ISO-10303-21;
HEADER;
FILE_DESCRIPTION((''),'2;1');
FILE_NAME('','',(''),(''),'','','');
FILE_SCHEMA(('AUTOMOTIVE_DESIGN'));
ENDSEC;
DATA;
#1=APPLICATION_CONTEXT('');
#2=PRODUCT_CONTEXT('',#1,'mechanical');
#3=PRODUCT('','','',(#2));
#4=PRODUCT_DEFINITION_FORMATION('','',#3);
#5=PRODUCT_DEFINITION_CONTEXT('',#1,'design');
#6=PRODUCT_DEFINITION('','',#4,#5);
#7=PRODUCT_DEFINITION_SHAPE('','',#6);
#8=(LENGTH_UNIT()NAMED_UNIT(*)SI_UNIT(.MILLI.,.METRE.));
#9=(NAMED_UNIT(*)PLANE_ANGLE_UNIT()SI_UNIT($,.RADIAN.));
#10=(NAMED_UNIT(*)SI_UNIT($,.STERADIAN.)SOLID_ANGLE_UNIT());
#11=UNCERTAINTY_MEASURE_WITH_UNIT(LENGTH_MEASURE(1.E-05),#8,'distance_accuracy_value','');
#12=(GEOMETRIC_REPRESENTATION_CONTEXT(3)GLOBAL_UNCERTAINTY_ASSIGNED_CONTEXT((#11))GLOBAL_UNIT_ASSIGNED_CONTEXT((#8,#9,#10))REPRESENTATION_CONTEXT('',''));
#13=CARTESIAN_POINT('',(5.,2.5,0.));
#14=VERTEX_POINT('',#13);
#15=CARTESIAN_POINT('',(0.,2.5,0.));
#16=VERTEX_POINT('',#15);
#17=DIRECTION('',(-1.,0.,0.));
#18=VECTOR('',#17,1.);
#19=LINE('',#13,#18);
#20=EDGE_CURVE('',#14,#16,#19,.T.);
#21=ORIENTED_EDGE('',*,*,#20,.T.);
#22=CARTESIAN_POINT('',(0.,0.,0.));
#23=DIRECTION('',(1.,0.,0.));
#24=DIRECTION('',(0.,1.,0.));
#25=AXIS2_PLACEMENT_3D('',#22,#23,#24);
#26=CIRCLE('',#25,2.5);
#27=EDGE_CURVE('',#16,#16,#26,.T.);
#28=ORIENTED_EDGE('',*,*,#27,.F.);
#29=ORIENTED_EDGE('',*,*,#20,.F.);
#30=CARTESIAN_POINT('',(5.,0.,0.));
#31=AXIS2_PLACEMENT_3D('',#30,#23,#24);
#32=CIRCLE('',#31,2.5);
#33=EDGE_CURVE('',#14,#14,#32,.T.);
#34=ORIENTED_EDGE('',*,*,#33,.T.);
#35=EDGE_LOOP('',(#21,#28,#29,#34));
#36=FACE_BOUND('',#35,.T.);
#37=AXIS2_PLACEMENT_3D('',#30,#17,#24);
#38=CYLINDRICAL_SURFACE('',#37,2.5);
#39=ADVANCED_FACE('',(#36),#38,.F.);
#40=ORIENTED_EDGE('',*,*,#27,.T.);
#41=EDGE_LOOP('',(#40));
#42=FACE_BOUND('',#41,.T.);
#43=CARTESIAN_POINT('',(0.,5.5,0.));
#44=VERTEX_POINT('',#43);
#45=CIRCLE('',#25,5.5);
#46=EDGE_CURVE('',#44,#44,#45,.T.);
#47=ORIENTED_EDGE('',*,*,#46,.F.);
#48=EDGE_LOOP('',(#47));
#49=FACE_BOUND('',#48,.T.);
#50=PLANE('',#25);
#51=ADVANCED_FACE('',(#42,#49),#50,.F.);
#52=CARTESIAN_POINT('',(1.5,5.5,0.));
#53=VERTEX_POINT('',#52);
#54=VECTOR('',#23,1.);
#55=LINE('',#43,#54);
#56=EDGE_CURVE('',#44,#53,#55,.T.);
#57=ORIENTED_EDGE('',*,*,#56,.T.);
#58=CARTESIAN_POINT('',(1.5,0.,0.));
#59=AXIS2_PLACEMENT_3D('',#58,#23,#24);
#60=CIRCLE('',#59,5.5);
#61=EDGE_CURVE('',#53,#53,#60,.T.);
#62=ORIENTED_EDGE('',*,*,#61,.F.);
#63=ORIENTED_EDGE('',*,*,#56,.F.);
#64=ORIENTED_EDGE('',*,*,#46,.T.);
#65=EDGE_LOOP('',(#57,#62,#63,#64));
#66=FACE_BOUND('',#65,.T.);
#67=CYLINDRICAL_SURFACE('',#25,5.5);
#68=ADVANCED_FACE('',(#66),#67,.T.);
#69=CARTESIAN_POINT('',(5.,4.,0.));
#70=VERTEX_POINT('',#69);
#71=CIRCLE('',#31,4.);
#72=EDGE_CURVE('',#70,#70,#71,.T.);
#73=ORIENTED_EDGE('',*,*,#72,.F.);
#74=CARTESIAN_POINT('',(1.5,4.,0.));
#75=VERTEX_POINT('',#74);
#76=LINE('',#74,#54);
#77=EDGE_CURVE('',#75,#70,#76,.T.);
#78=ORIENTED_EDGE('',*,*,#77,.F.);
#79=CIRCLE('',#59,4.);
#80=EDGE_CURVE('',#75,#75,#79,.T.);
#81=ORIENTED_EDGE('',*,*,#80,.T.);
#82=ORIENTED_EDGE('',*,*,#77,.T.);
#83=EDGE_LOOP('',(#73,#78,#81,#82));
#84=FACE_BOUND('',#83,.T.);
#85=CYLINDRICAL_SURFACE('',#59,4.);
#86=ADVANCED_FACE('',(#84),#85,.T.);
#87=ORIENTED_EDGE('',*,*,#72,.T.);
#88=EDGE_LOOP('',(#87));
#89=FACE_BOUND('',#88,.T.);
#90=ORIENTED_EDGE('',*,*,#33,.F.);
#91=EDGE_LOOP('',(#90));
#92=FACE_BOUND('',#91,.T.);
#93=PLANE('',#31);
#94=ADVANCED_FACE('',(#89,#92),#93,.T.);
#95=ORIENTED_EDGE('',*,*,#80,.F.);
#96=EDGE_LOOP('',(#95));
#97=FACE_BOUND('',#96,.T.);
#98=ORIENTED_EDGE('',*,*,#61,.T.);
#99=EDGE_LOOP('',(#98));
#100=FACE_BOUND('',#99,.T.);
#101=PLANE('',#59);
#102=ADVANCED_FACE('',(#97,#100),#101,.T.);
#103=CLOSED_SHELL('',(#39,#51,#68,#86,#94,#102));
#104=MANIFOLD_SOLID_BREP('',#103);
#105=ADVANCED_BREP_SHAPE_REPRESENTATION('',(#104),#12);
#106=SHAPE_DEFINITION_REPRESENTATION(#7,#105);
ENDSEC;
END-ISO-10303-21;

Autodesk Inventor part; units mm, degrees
ref_plane "YZ Plane" through (0, 0, 0) normal (1, 0, 0) x (0, 1, 0)
ref_plane "XZ Plane" through (0, 0, 0) normal (0, 1, 0) x (-1, 0, 0)
ref_plane "XY Plane" through (0, 0, 0) normal (0, 0, 1) x (1, 0, 0)
sketch "スケッチ1" plane through (0, 0, 0) normal (0, 0, 1) x (1, 0, 0)
  line L0 (0, 2.5) -> (0, 5.5)
  line L1 (0, 5.5) -> (1.5, 5.5)
  line L2 (1.5, 5.5) -> (1.5, 4)
  line L3 (1.5, 4) -> (5, 4)
  line L4 (5, 4) -> (5, 2.5)
  line L5 (5, 2.5) -> (0, 2.5)
  line L6 (-1, 0) -> (6, 0) projected
  point P0 (0, 0)
  dimension "d0" = 2.5
  dimension "d1" = 4
  dimension "d2" = 5
  dimension "d3" = 1.5
  dimension "d4" = 5.5
revolve "回転1" add sketch "スケッチ1" angle 360 about axis through (-10, 0, 0) along (1, 0, 0)
properties part number "Parts_GEF"
